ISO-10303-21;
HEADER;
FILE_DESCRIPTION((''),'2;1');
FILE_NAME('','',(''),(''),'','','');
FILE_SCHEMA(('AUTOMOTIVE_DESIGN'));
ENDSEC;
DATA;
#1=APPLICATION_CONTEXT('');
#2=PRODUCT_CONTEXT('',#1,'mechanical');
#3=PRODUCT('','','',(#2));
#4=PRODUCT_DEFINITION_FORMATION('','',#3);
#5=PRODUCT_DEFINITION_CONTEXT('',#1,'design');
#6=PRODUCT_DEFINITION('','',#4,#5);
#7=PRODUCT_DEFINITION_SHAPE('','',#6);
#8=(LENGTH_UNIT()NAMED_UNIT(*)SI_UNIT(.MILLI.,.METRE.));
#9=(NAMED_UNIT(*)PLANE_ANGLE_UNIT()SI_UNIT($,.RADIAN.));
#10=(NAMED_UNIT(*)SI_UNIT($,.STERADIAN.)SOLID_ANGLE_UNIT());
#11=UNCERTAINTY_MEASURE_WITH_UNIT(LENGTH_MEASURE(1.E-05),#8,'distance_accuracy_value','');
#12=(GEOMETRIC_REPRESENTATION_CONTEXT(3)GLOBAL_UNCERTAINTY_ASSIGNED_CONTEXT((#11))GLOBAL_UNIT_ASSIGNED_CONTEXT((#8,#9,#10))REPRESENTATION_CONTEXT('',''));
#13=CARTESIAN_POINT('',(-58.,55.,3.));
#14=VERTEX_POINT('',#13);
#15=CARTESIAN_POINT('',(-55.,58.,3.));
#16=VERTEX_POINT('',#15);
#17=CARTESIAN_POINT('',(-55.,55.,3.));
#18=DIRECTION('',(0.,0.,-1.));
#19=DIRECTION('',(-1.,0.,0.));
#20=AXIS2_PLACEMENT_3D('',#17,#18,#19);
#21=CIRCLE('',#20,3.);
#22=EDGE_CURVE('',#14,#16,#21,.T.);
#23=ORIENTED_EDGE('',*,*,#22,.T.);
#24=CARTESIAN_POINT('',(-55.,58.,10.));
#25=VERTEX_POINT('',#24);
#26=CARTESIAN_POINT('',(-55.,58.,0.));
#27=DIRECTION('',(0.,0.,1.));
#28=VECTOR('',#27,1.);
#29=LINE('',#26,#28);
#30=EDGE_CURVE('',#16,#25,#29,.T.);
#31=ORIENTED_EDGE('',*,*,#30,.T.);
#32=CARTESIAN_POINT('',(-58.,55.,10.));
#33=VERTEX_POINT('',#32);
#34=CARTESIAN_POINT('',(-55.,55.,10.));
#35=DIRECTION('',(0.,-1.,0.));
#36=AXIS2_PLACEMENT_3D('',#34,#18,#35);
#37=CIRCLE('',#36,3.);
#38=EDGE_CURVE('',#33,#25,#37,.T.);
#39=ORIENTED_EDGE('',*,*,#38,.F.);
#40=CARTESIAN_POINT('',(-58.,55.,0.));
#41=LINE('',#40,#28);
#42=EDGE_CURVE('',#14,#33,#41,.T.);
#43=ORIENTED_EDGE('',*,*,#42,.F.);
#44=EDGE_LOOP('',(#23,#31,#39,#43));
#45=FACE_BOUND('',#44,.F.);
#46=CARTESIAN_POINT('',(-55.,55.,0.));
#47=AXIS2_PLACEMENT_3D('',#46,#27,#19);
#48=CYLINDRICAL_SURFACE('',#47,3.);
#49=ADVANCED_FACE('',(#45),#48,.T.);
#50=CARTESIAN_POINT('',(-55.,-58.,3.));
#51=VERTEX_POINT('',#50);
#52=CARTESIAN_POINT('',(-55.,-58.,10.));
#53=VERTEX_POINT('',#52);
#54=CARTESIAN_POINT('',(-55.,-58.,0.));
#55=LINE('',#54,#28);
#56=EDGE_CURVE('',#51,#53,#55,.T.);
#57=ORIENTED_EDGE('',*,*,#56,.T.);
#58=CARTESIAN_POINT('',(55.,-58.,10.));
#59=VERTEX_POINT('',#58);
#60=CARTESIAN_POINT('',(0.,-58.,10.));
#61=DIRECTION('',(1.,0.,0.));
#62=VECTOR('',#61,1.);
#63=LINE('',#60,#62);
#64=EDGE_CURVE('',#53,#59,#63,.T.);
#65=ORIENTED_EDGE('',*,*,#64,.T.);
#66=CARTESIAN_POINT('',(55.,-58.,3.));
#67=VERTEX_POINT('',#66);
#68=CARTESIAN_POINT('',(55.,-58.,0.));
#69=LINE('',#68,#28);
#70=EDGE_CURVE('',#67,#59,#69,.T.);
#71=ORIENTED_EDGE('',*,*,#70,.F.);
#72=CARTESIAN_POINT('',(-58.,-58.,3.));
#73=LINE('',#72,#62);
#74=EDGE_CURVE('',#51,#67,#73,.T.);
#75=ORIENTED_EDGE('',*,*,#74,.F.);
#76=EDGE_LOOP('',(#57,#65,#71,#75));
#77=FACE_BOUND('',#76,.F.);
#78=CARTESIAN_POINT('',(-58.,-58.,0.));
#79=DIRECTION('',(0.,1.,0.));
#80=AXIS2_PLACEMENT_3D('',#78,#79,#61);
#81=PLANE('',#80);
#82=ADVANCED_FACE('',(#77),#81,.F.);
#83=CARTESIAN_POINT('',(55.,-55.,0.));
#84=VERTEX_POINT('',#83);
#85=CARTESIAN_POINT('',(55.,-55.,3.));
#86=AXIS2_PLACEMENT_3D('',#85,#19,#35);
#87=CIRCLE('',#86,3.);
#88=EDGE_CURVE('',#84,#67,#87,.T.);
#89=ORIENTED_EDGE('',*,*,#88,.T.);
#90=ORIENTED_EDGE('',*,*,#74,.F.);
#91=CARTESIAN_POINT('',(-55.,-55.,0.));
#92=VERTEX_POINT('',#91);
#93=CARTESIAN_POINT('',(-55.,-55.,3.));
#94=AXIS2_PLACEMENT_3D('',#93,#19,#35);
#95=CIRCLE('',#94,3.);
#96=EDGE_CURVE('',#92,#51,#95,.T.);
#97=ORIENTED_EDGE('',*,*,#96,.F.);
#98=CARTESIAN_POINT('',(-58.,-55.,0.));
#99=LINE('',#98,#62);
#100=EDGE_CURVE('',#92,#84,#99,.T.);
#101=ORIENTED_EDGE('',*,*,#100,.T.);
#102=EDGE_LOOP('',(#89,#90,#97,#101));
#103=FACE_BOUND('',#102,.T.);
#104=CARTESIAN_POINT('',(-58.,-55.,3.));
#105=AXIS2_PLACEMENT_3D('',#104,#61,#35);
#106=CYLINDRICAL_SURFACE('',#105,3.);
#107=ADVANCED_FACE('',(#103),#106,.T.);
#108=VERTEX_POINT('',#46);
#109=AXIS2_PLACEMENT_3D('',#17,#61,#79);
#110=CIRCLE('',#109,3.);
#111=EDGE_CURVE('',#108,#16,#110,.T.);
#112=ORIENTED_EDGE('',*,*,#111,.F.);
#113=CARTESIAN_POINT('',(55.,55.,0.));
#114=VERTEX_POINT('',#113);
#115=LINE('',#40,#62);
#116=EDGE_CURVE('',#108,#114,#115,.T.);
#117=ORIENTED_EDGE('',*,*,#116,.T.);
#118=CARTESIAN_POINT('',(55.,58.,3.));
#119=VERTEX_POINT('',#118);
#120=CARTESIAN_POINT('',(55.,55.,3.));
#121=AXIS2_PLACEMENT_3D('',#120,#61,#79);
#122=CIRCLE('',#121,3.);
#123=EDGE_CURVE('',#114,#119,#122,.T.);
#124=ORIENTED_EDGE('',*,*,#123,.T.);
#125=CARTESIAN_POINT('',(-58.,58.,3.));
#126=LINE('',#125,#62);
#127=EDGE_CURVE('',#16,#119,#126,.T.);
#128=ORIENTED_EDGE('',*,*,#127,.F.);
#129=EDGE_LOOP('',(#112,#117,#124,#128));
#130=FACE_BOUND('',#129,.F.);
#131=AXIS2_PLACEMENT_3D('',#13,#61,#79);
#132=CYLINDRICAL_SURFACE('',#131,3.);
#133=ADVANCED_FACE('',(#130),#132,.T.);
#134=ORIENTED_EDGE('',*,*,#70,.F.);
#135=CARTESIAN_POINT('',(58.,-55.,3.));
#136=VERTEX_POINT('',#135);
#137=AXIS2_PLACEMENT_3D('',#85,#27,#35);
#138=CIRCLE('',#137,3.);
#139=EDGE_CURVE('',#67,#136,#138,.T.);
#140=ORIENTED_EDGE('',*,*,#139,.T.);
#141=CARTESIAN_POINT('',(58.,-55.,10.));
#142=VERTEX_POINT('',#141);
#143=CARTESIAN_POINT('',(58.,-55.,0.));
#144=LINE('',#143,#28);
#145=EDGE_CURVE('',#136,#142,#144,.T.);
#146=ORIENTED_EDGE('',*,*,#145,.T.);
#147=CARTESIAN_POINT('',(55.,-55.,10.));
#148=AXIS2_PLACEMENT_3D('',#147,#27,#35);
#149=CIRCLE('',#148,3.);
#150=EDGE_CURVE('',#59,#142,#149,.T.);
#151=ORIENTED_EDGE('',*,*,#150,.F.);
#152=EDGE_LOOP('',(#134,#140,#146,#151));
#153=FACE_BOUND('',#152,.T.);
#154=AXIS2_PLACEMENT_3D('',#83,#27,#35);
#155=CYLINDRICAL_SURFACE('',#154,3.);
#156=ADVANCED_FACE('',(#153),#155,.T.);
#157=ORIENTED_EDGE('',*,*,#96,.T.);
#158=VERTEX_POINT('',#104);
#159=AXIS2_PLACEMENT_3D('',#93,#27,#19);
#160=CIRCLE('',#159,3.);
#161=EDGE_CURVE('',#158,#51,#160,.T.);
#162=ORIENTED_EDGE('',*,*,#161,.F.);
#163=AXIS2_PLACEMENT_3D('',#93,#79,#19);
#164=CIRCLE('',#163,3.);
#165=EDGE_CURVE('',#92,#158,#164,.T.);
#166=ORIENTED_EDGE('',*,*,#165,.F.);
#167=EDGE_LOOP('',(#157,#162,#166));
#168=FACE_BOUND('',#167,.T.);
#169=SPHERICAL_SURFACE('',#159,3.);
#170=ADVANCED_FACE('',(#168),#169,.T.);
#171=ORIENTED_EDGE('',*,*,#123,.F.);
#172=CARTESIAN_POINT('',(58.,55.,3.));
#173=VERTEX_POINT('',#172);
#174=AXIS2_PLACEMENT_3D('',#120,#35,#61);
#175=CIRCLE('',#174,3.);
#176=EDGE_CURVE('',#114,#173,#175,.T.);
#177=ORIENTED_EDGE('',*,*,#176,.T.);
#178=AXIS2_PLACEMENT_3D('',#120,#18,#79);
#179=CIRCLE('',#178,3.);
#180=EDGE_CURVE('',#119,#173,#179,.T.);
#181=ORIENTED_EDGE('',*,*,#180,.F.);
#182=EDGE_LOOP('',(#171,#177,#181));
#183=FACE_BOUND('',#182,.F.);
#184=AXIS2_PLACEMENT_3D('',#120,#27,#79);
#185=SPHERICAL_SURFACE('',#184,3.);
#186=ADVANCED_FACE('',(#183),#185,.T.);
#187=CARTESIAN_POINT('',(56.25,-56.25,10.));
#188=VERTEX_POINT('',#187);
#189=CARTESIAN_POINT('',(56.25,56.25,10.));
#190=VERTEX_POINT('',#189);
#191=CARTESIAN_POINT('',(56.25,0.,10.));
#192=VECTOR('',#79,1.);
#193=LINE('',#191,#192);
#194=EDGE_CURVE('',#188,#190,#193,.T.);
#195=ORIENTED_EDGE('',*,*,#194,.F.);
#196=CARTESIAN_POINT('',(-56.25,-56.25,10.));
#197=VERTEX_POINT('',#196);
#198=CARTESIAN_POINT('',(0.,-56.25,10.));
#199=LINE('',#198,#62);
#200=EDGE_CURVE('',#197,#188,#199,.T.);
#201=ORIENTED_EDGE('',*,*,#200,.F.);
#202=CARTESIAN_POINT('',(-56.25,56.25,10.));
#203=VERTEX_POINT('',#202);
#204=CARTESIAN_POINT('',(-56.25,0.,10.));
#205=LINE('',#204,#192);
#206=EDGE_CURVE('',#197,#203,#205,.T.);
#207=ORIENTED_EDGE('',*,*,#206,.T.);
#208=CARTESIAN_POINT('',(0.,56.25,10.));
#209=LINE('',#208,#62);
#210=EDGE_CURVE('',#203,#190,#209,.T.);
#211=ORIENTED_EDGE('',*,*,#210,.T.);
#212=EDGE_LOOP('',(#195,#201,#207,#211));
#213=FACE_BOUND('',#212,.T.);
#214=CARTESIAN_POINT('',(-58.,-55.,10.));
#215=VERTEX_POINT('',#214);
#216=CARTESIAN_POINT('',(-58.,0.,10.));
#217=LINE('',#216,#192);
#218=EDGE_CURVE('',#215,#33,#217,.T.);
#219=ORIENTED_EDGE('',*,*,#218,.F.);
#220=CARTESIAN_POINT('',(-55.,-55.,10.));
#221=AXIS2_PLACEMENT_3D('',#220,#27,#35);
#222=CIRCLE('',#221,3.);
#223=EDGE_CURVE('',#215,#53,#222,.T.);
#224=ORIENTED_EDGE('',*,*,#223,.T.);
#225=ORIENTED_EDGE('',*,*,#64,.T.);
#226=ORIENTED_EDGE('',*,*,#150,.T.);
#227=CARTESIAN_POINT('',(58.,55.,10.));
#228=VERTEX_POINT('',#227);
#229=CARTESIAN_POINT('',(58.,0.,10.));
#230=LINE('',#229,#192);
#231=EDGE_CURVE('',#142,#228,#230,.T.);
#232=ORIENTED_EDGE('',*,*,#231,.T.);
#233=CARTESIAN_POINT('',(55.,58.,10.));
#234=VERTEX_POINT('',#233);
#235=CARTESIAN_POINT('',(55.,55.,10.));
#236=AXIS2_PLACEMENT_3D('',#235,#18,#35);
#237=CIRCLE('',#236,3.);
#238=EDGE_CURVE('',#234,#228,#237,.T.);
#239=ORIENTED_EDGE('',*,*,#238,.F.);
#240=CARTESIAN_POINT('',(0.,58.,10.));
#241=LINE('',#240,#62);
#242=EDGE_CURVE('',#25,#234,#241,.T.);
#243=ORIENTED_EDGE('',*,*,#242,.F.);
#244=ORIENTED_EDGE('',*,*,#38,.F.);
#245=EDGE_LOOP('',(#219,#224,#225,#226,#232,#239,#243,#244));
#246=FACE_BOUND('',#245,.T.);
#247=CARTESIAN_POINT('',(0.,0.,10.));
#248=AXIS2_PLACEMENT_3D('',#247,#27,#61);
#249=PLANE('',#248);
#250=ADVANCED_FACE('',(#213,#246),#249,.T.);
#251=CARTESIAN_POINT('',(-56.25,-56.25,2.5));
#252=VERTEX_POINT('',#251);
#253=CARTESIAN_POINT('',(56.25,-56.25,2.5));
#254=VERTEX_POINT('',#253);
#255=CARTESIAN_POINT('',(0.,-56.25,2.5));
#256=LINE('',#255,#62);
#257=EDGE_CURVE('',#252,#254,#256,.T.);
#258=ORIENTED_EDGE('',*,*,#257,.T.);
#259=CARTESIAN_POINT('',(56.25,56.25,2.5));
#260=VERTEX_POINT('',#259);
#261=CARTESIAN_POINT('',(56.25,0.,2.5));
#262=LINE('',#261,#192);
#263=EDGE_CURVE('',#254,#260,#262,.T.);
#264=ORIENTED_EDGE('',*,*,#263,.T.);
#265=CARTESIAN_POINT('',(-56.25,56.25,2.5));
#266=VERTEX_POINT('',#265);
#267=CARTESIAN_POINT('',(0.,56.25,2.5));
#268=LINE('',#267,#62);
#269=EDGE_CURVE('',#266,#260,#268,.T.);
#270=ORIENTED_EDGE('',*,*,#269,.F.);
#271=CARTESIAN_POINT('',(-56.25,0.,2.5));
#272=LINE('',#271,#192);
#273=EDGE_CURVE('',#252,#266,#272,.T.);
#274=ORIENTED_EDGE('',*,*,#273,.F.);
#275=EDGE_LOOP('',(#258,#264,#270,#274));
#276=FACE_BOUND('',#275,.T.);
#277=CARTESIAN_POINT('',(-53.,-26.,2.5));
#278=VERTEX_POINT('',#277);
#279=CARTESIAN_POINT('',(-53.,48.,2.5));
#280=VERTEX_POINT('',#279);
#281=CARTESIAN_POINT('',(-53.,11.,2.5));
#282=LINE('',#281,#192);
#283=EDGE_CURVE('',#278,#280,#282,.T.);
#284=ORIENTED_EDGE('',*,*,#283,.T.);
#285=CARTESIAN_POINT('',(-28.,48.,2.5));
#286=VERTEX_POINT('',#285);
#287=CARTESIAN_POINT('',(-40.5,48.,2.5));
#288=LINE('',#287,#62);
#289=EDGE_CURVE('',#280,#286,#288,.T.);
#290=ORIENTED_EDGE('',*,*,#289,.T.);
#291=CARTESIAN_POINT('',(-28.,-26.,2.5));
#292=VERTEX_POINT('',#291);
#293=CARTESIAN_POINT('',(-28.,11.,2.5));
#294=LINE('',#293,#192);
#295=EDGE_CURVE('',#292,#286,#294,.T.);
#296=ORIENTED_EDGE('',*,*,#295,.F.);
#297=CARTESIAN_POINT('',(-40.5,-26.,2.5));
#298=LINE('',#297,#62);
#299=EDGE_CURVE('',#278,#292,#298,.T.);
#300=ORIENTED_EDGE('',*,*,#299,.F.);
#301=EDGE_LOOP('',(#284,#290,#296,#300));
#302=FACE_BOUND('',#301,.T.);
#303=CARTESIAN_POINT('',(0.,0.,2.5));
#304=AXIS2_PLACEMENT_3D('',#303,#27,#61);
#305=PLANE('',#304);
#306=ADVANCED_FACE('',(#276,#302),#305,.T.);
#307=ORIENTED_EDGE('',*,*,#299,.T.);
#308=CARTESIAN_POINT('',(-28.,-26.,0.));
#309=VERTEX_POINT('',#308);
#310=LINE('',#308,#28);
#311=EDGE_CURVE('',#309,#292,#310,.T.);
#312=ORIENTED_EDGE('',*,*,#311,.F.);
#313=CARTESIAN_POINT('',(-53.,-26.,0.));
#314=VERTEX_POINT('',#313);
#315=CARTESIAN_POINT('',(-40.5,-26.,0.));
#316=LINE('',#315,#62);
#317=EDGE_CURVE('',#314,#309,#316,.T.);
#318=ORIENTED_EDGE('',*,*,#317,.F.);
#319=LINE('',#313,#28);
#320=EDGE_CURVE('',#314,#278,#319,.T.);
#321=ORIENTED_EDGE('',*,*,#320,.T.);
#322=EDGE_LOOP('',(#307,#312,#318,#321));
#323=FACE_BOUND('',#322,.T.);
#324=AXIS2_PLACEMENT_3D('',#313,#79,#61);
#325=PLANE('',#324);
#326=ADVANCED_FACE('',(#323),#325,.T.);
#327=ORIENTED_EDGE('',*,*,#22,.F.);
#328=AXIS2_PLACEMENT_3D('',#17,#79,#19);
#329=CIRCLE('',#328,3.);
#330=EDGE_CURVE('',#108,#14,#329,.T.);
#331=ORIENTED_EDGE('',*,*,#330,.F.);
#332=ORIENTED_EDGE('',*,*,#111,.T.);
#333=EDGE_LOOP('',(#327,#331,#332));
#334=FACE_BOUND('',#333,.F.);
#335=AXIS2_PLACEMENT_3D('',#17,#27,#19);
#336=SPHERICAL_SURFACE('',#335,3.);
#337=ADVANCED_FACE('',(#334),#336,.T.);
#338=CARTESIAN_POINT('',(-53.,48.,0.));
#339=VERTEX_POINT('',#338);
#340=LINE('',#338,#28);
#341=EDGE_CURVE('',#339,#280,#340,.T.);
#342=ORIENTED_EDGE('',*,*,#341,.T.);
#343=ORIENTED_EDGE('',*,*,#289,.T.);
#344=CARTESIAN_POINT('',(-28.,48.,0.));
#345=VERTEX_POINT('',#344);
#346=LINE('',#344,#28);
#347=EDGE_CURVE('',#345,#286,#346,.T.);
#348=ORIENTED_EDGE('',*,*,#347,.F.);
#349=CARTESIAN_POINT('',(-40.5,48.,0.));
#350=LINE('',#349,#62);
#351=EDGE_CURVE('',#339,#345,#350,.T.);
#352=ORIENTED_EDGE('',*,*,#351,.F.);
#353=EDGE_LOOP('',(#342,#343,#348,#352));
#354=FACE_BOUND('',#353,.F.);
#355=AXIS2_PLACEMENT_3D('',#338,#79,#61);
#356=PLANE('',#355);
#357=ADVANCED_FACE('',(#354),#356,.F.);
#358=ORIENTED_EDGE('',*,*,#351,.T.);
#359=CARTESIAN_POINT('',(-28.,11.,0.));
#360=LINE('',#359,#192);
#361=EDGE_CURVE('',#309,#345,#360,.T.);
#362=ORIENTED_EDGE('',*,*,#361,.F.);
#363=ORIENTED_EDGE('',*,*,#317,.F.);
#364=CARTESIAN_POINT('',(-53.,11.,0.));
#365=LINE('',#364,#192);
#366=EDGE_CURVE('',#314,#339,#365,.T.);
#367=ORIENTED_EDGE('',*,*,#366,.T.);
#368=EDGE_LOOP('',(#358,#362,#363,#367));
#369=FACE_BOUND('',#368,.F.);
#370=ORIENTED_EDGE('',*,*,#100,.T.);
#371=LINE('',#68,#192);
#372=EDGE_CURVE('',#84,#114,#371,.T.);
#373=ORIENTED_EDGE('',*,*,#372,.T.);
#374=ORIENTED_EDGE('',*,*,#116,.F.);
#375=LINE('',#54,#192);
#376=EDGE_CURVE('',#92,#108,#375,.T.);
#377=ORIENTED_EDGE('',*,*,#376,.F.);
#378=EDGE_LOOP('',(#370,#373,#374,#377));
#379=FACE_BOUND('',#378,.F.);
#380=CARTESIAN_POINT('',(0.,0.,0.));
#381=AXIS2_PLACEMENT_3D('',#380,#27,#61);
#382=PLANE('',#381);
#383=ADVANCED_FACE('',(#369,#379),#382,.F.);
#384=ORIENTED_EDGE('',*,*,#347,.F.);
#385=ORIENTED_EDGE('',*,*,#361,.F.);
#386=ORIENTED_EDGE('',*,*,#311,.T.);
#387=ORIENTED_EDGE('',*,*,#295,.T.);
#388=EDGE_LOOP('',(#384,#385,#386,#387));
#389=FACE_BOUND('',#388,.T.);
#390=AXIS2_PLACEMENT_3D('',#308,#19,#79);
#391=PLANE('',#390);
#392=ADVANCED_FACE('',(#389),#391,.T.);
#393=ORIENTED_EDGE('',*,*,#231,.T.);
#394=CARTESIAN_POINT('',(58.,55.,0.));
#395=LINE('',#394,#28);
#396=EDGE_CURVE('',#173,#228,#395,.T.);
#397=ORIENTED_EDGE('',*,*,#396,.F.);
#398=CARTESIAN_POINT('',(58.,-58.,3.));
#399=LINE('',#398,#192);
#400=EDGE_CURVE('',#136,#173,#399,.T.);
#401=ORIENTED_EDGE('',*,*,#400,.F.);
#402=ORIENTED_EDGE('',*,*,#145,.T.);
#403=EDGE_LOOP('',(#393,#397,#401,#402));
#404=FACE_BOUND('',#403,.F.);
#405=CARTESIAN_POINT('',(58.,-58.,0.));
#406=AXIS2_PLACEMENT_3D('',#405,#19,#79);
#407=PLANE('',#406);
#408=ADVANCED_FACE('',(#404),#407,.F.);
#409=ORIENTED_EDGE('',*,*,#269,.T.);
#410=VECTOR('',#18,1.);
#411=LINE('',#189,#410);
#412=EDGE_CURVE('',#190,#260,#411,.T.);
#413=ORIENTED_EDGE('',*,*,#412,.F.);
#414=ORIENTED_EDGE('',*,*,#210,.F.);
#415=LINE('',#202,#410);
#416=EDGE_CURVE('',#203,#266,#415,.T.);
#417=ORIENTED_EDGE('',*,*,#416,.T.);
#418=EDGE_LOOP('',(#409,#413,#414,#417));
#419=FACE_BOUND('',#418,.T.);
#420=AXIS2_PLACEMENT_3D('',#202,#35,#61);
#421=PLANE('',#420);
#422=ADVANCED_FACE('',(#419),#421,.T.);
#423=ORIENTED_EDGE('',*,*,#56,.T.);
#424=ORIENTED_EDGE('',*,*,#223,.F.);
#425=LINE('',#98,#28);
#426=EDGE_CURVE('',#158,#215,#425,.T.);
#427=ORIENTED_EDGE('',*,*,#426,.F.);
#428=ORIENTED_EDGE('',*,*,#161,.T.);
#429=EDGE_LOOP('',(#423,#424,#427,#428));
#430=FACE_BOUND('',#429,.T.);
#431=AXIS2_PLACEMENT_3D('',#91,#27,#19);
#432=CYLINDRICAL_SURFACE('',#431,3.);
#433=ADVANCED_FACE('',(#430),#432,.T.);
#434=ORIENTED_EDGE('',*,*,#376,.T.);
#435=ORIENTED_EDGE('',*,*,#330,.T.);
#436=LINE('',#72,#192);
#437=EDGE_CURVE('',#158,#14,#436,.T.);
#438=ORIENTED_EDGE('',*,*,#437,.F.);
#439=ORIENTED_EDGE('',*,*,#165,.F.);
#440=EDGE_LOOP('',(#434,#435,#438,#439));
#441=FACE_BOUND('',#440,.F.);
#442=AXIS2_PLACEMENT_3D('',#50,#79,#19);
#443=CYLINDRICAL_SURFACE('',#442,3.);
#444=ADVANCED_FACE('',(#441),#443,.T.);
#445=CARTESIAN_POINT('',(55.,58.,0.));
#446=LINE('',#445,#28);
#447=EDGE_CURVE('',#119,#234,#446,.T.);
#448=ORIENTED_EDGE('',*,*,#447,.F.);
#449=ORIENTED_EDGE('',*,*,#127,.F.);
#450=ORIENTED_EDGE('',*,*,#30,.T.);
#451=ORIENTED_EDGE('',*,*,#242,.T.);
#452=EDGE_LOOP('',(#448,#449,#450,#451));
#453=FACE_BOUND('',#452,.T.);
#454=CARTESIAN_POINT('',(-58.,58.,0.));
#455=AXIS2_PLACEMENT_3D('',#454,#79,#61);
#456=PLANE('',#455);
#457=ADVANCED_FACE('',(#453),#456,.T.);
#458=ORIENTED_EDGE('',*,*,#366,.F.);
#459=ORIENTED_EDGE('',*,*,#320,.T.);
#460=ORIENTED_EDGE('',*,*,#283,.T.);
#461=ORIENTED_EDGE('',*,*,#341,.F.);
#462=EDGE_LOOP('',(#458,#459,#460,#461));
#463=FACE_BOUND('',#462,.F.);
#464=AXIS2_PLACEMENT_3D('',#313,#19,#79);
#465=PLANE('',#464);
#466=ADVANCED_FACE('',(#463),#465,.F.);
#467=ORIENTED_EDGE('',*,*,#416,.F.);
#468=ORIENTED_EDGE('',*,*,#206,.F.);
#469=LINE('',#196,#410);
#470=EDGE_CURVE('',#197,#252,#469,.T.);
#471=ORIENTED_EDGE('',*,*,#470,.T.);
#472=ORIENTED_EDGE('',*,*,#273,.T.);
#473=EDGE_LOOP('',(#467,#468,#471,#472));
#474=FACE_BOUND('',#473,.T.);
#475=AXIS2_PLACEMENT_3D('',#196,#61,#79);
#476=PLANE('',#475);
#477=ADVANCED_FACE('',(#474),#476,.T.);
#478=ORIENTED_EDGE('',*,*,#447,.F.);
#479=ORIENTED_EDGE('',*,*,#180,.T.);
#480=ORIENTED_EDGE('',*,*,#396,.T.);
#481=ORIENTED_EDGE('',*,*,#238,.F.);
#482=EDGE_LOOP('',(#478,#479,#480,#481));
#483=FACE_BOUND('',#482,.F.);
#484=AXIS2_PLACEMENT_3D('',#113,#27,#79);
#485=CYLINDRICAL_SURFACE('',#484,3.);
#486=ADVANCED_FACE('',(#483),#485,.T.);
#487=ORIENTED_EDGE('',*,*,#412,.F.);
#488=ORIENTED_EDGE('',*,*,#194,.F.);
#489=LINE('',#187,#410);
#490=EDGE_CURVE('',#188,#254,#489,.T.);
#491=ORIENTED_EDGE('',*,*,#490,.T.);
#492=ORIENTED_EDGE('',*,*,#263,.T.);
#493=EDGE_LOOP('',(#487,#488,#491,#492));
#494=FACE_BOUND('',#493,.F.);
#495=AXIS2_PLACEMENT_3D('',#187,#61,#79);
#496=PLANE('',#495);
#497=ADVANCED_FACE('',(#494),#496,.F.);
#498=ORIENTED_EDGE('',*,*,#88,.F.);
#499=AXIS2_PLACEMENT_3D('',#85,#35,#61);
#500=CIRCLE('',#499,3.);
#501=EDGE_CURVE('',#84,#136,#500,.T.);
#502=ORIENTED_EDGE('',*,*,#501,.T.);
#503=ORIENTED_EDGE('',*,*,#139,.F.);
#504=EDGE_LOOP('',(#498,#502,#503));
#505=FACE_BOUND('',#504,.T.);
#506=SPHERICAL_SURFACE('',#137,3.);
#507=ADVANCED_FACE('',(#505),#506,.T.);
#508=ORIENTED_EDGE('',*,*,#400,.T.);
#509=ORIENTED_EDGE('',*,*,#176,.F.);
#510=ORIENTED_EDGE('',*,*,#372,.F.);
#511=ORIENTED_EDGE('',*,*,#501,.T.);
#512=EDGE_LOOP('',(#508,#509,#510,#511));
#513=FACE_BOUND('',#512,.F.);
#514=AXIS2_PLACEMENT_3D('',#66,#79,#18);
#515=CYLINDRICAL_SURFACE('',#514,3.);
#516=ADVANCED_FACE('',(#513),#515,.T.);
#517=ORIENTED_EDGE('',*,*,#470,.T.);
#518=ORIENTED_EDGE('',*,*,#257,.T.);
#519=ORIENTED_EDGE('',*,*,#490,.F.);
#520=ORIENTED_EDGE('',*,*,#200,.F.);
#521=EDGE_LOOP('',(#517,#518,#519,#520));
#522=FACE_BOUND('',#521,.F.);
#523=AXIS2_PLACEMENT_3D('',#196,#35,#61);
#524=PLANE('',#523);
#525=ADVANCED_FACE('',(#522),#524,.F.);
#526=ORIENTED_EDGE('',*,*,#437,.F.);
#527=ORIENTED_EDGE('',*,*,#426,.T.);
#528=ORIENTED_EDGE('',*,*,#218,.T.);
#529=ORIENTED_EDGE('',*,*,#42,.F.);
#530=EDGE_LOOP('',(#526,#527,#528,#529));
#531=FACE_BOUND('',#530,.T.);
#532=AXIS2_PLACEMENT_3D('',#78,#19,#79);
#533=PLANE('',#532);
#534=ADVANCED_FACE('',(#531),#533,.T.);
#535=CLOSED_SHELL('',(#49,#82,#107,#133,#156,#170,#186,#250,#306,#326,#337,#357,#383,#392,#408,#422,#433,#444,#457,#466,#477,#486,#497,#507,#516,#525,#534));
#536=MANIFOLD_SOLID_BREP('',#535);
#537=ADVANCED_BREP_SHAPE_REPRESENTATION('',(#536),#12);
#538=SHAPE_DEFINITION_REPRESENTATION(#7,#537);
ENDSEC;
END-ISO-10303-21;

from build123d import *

# Parameters (mm, degrees)
F0_W     = 116
F0_H     = 116
F0_W_2   = 25
F0_H_2   = 74
F1_DEPTH = 10
F2_W     = 112.5
F2_H     = 112.5
F2_W_2   = 25
F2_H_2   = 74
F3_DEPTH = 7.5
F4_R     = 3


with BuildPart() as f1:
    # F0 (on Top) → F1 (new body)
    with BuildSketch(Plane.XY):
        Rectangle(F0_W, F0_H)
        with Locations((-40.5, 11)):
            Rectangle(F0_W_2, F0_H_2, mode=Mode.SUBTRACT)
    extrude(amount=F1_DEPTH)

    # F2 (on face) → F3 (cut)
    with BuildSketch(Plane.XY.offset(10)):
        Rectangle(F2_W, F2_H)
        with Locations((-40.5, 11)):
            Rectangle(F2_W_2, F2_H_2, mode=Mode.SUBTRACT)
    extrude(amount=-F3_DEPTH, mode=Mode.SUBTRACT)

    # F4
    f4_edges = [f1.edges().sort_by_distance(p)[0] for p in [
        (58, 58, 5),
        (58, -58, 5),
        (-58, 58, 5),
        (-58, -58, 5),
        (-58, 0, 0),
        (0, -58, 0),
        (0, 58, 0),
        (58, 0, 0),
    ]]
    fillet(f4_edges, radius=F4_R)


solid = f1.part
